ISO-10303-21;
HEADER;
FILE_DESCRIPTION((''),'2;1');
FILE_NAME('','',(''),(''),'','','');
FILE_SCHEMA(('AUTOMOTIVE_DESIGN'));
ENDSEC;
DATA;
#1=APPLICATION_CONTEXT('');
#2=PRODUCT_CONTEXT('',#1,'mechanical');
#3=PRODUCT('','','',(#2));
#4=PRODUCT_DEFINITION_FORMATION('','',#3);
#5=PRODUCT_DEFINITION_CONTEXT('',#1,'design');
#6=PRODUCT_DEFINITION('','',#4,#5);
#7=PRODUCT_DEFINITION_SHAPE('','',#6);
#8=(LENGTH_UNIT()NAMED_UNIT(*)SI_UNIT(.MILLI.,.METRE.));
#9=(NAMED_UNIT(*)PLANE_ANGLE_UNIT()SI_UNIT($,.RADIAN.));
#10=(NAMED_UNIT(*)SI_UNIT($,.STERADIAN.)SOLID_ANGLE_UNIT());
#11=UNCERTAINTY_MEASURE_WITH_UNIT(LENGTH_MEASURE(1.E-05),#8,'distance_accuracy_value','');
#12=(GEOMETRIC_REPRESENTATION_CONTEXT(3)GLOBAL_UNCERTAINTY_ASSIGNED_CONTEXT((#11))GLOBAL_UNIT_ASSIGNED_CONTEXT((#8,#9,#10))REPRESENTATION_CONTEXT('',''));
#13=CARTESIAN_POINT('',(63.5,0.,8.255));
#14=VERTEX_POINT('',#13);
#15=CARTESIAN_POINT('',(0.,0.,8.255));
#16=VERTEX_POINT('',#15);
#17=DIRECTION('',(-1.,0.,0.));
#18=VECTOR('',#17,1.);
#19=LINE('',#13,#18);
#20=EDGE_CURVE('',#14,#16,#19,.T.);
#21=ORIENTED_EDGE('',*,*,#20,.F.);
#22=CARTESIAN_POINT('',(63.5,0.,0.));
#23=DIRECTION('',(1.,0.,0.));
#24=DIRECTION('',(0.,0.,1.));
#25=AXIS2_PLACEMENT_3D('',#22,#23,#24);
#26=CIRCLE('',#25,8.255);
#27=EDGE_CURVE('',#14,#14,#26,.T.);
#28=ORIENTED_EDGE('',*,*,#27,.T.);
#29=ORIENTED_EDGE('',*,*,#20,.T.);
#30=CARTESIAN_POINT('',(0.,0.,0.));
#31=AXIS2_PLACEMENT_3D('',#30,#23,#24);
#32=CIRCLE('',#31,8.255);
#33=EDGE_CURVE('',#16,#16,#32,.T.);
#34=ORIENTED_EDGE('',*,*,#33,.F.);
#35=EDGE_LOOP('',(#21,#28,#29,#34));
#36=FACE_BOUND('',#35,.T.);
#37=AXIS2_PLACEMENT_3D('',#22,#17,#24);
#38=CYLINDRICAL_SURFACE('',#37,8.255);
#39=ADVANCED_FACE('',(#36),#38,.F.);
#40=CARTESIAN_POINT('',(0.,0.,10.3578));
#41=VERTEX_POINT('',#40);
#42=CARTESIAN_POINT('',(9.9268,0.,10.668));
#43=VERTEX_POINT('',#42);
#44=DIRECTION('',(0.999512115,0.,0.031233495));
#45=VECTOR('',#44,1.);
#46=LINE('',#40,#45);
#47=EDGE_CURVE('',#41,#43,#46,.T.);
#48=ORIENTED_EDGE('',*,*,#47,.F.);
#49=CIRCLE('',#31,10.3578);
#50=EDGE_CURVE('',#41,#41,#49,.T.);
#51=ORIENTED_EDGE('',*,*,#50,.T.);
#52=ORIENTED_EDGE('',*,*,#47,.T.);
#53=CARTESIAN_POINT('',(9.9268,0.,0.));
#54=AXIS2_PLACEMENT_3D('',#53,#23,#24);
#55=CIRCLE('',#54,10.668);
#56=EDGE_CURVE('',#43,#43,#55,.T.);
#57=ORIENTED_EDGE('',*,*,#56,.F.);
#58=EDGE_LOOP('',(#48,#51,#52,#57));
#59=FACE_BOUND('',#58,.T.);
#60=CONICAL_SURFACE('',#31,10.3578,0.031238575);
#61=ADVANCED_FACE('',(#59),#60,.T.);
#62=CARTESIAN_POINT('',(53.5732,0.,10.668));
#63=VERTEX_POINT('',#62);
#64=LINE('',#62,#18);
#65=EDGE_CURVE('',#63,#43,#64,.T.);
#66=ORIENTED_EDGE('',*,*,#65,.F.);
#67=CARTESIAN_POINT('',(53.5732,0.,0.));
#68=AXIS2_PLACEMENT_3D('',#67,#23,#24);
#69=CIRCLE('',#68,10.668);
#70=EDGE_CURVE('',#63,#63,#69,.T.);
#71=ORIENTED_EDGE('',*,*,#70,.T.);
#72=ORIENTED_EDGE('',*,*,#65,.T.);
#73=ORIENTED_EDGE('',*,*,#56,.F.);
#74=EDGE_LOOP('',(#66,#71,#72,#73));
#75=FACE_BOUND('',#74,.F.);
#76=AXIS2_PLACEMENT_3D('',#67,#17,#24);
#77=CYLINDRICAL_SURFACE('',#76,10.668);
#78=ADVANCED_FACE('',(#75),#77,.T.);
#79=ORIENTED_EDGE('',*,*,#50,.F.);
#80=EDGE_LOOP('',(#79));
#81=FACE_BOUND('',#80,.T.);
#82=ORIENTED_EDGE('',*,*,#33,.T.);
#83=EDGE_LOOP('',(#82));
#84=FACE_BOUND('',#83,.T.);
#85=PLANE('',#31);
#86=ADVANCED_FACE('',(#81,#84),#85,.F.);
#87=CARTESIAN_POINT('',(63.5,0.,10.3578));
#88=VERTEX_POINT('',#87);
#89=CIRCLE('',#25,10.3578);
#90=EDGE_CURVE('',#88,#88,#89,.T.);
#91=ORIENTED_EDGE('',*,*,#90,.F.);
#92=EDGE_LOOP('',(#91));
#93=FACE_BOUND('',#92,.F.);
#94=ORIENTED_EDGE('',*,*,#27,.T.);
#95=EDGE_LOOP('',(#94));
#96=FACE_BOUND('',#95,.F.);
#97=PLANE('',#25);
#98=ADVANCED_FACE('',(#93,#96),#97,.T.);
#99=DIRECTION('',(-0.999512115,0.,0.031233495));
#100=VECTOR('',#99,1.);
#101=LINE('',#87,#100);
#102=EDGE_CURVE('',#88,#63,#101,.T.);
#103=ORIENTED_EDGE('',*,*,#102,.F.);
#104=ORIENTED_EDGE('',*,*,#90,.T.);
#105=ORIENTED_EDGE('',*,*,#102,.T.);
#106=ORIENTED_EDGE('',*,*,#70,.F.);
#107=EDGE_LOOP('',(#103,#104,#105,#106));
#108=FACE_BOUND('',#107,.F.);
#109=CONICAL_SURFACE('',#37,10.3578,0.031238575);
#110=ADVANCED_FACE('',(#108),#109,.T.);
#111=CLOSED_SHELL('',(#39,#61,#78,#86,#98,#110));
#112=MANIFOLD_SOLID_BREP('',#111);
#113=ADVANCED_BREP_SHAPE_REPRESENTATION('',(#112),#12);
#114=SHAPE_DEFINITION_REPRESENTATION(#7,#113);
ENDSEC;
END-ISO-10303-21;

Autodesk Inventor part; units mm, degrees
ref_plane "YZ Plane" through (0, 0, 0) normal (1, 0, 0) x (0, 1, 0)
ref_plane "XZ Plane" through (0, 0, 0) normal (0, 1, 0) x (-1, 0, 0)
ref_plane "XY Plane" through (0, 0, 0) normal (0, 0, 1) x (1, 0, 0)
sketch "Sketch1" plane through (0, 0, 0) normal (0, 1, 0) x (-1, 0, 0)
  line L0 (0, 0) -> (-63.5, 0)
  line L1 (-63.5, 0) -> (-63.5, 8.255) construction
  line L2 (-63.5, 8.255) -> (-63.5, 10.3578)
  line L3 (-63.5, 10.3578) -> (-53.5732, 10.668)
  line L4 (-53.5732, 10.668) -> (-9.9268, 10.668)
  line L5 (-31.75, 0) -> (-31.75, 10.668) construction
  line L6 (-63.5, 8.255) -> (0, 8.255)
  line L7 (0, 0) -> (0, 8.255) construction
  line L8 (0, 8.255) -> (0, 10.3578)
  line L9 (0, 10.3578) -> (-9.9268, 10.668)
  line L10 (-49.944, 10.7814) -> (-49.944, 0) construction
  line L11 (-13.556, 10.7814) -> (-13.556, 0) construction
  line L12 (-53.5732, 10.668) -> (-49.944, 10.7814) construction
  line L13 (-53.5732, 10.668) -> (-53.5732, 0) construction
  line L14 (-9.9268, 10.668) -> (-13.556, 10.7814) construction
  line L15 (-9.9268, 10.668) -> (-9.9268, 0) construction
  dimension "d0" = 21.336
  dimension "d1" = 1.79
  dimension "d2" = 16.51
  dimension "d3" = 63.5
  dimension "d4" = 13.556
  dimension "d5" = 21.5628
revolve "Revolution1" add sketch "Sketch1" angle 360 about axis through (0, 0, 0) along (1, 0, 0)
thread "Thread1" size "1/2" designation "1/2 - 14 NPT" standard "NPT" full length
thread "Thread2" size "1/2" designation "1/2 - 14 NPT" standard "NPT" full length
equation "\"d0\" = OD"
equation "\"d2\" = ID"
equation "\"d3\" = L"
equation "\"d4\" = L2"
equation "\"d5\" = D2"
equation "\"OD\" = 21.336"
equation "\"t\" = 2.413"
equation "\"L\" = PL"
equation "\"L4\" = 19.8501"
equation "\"ID\" = 16.51"
equation "\"PL\" = 63.5"
equation "\"D2\" = 21.56282"
equation "\"L2\" = 13.55598"
equation "\"Size_Designation\" = 1.2345"
equation "\"PLmin\" = 2 * L2"
properties material "Steel, Wrought"
